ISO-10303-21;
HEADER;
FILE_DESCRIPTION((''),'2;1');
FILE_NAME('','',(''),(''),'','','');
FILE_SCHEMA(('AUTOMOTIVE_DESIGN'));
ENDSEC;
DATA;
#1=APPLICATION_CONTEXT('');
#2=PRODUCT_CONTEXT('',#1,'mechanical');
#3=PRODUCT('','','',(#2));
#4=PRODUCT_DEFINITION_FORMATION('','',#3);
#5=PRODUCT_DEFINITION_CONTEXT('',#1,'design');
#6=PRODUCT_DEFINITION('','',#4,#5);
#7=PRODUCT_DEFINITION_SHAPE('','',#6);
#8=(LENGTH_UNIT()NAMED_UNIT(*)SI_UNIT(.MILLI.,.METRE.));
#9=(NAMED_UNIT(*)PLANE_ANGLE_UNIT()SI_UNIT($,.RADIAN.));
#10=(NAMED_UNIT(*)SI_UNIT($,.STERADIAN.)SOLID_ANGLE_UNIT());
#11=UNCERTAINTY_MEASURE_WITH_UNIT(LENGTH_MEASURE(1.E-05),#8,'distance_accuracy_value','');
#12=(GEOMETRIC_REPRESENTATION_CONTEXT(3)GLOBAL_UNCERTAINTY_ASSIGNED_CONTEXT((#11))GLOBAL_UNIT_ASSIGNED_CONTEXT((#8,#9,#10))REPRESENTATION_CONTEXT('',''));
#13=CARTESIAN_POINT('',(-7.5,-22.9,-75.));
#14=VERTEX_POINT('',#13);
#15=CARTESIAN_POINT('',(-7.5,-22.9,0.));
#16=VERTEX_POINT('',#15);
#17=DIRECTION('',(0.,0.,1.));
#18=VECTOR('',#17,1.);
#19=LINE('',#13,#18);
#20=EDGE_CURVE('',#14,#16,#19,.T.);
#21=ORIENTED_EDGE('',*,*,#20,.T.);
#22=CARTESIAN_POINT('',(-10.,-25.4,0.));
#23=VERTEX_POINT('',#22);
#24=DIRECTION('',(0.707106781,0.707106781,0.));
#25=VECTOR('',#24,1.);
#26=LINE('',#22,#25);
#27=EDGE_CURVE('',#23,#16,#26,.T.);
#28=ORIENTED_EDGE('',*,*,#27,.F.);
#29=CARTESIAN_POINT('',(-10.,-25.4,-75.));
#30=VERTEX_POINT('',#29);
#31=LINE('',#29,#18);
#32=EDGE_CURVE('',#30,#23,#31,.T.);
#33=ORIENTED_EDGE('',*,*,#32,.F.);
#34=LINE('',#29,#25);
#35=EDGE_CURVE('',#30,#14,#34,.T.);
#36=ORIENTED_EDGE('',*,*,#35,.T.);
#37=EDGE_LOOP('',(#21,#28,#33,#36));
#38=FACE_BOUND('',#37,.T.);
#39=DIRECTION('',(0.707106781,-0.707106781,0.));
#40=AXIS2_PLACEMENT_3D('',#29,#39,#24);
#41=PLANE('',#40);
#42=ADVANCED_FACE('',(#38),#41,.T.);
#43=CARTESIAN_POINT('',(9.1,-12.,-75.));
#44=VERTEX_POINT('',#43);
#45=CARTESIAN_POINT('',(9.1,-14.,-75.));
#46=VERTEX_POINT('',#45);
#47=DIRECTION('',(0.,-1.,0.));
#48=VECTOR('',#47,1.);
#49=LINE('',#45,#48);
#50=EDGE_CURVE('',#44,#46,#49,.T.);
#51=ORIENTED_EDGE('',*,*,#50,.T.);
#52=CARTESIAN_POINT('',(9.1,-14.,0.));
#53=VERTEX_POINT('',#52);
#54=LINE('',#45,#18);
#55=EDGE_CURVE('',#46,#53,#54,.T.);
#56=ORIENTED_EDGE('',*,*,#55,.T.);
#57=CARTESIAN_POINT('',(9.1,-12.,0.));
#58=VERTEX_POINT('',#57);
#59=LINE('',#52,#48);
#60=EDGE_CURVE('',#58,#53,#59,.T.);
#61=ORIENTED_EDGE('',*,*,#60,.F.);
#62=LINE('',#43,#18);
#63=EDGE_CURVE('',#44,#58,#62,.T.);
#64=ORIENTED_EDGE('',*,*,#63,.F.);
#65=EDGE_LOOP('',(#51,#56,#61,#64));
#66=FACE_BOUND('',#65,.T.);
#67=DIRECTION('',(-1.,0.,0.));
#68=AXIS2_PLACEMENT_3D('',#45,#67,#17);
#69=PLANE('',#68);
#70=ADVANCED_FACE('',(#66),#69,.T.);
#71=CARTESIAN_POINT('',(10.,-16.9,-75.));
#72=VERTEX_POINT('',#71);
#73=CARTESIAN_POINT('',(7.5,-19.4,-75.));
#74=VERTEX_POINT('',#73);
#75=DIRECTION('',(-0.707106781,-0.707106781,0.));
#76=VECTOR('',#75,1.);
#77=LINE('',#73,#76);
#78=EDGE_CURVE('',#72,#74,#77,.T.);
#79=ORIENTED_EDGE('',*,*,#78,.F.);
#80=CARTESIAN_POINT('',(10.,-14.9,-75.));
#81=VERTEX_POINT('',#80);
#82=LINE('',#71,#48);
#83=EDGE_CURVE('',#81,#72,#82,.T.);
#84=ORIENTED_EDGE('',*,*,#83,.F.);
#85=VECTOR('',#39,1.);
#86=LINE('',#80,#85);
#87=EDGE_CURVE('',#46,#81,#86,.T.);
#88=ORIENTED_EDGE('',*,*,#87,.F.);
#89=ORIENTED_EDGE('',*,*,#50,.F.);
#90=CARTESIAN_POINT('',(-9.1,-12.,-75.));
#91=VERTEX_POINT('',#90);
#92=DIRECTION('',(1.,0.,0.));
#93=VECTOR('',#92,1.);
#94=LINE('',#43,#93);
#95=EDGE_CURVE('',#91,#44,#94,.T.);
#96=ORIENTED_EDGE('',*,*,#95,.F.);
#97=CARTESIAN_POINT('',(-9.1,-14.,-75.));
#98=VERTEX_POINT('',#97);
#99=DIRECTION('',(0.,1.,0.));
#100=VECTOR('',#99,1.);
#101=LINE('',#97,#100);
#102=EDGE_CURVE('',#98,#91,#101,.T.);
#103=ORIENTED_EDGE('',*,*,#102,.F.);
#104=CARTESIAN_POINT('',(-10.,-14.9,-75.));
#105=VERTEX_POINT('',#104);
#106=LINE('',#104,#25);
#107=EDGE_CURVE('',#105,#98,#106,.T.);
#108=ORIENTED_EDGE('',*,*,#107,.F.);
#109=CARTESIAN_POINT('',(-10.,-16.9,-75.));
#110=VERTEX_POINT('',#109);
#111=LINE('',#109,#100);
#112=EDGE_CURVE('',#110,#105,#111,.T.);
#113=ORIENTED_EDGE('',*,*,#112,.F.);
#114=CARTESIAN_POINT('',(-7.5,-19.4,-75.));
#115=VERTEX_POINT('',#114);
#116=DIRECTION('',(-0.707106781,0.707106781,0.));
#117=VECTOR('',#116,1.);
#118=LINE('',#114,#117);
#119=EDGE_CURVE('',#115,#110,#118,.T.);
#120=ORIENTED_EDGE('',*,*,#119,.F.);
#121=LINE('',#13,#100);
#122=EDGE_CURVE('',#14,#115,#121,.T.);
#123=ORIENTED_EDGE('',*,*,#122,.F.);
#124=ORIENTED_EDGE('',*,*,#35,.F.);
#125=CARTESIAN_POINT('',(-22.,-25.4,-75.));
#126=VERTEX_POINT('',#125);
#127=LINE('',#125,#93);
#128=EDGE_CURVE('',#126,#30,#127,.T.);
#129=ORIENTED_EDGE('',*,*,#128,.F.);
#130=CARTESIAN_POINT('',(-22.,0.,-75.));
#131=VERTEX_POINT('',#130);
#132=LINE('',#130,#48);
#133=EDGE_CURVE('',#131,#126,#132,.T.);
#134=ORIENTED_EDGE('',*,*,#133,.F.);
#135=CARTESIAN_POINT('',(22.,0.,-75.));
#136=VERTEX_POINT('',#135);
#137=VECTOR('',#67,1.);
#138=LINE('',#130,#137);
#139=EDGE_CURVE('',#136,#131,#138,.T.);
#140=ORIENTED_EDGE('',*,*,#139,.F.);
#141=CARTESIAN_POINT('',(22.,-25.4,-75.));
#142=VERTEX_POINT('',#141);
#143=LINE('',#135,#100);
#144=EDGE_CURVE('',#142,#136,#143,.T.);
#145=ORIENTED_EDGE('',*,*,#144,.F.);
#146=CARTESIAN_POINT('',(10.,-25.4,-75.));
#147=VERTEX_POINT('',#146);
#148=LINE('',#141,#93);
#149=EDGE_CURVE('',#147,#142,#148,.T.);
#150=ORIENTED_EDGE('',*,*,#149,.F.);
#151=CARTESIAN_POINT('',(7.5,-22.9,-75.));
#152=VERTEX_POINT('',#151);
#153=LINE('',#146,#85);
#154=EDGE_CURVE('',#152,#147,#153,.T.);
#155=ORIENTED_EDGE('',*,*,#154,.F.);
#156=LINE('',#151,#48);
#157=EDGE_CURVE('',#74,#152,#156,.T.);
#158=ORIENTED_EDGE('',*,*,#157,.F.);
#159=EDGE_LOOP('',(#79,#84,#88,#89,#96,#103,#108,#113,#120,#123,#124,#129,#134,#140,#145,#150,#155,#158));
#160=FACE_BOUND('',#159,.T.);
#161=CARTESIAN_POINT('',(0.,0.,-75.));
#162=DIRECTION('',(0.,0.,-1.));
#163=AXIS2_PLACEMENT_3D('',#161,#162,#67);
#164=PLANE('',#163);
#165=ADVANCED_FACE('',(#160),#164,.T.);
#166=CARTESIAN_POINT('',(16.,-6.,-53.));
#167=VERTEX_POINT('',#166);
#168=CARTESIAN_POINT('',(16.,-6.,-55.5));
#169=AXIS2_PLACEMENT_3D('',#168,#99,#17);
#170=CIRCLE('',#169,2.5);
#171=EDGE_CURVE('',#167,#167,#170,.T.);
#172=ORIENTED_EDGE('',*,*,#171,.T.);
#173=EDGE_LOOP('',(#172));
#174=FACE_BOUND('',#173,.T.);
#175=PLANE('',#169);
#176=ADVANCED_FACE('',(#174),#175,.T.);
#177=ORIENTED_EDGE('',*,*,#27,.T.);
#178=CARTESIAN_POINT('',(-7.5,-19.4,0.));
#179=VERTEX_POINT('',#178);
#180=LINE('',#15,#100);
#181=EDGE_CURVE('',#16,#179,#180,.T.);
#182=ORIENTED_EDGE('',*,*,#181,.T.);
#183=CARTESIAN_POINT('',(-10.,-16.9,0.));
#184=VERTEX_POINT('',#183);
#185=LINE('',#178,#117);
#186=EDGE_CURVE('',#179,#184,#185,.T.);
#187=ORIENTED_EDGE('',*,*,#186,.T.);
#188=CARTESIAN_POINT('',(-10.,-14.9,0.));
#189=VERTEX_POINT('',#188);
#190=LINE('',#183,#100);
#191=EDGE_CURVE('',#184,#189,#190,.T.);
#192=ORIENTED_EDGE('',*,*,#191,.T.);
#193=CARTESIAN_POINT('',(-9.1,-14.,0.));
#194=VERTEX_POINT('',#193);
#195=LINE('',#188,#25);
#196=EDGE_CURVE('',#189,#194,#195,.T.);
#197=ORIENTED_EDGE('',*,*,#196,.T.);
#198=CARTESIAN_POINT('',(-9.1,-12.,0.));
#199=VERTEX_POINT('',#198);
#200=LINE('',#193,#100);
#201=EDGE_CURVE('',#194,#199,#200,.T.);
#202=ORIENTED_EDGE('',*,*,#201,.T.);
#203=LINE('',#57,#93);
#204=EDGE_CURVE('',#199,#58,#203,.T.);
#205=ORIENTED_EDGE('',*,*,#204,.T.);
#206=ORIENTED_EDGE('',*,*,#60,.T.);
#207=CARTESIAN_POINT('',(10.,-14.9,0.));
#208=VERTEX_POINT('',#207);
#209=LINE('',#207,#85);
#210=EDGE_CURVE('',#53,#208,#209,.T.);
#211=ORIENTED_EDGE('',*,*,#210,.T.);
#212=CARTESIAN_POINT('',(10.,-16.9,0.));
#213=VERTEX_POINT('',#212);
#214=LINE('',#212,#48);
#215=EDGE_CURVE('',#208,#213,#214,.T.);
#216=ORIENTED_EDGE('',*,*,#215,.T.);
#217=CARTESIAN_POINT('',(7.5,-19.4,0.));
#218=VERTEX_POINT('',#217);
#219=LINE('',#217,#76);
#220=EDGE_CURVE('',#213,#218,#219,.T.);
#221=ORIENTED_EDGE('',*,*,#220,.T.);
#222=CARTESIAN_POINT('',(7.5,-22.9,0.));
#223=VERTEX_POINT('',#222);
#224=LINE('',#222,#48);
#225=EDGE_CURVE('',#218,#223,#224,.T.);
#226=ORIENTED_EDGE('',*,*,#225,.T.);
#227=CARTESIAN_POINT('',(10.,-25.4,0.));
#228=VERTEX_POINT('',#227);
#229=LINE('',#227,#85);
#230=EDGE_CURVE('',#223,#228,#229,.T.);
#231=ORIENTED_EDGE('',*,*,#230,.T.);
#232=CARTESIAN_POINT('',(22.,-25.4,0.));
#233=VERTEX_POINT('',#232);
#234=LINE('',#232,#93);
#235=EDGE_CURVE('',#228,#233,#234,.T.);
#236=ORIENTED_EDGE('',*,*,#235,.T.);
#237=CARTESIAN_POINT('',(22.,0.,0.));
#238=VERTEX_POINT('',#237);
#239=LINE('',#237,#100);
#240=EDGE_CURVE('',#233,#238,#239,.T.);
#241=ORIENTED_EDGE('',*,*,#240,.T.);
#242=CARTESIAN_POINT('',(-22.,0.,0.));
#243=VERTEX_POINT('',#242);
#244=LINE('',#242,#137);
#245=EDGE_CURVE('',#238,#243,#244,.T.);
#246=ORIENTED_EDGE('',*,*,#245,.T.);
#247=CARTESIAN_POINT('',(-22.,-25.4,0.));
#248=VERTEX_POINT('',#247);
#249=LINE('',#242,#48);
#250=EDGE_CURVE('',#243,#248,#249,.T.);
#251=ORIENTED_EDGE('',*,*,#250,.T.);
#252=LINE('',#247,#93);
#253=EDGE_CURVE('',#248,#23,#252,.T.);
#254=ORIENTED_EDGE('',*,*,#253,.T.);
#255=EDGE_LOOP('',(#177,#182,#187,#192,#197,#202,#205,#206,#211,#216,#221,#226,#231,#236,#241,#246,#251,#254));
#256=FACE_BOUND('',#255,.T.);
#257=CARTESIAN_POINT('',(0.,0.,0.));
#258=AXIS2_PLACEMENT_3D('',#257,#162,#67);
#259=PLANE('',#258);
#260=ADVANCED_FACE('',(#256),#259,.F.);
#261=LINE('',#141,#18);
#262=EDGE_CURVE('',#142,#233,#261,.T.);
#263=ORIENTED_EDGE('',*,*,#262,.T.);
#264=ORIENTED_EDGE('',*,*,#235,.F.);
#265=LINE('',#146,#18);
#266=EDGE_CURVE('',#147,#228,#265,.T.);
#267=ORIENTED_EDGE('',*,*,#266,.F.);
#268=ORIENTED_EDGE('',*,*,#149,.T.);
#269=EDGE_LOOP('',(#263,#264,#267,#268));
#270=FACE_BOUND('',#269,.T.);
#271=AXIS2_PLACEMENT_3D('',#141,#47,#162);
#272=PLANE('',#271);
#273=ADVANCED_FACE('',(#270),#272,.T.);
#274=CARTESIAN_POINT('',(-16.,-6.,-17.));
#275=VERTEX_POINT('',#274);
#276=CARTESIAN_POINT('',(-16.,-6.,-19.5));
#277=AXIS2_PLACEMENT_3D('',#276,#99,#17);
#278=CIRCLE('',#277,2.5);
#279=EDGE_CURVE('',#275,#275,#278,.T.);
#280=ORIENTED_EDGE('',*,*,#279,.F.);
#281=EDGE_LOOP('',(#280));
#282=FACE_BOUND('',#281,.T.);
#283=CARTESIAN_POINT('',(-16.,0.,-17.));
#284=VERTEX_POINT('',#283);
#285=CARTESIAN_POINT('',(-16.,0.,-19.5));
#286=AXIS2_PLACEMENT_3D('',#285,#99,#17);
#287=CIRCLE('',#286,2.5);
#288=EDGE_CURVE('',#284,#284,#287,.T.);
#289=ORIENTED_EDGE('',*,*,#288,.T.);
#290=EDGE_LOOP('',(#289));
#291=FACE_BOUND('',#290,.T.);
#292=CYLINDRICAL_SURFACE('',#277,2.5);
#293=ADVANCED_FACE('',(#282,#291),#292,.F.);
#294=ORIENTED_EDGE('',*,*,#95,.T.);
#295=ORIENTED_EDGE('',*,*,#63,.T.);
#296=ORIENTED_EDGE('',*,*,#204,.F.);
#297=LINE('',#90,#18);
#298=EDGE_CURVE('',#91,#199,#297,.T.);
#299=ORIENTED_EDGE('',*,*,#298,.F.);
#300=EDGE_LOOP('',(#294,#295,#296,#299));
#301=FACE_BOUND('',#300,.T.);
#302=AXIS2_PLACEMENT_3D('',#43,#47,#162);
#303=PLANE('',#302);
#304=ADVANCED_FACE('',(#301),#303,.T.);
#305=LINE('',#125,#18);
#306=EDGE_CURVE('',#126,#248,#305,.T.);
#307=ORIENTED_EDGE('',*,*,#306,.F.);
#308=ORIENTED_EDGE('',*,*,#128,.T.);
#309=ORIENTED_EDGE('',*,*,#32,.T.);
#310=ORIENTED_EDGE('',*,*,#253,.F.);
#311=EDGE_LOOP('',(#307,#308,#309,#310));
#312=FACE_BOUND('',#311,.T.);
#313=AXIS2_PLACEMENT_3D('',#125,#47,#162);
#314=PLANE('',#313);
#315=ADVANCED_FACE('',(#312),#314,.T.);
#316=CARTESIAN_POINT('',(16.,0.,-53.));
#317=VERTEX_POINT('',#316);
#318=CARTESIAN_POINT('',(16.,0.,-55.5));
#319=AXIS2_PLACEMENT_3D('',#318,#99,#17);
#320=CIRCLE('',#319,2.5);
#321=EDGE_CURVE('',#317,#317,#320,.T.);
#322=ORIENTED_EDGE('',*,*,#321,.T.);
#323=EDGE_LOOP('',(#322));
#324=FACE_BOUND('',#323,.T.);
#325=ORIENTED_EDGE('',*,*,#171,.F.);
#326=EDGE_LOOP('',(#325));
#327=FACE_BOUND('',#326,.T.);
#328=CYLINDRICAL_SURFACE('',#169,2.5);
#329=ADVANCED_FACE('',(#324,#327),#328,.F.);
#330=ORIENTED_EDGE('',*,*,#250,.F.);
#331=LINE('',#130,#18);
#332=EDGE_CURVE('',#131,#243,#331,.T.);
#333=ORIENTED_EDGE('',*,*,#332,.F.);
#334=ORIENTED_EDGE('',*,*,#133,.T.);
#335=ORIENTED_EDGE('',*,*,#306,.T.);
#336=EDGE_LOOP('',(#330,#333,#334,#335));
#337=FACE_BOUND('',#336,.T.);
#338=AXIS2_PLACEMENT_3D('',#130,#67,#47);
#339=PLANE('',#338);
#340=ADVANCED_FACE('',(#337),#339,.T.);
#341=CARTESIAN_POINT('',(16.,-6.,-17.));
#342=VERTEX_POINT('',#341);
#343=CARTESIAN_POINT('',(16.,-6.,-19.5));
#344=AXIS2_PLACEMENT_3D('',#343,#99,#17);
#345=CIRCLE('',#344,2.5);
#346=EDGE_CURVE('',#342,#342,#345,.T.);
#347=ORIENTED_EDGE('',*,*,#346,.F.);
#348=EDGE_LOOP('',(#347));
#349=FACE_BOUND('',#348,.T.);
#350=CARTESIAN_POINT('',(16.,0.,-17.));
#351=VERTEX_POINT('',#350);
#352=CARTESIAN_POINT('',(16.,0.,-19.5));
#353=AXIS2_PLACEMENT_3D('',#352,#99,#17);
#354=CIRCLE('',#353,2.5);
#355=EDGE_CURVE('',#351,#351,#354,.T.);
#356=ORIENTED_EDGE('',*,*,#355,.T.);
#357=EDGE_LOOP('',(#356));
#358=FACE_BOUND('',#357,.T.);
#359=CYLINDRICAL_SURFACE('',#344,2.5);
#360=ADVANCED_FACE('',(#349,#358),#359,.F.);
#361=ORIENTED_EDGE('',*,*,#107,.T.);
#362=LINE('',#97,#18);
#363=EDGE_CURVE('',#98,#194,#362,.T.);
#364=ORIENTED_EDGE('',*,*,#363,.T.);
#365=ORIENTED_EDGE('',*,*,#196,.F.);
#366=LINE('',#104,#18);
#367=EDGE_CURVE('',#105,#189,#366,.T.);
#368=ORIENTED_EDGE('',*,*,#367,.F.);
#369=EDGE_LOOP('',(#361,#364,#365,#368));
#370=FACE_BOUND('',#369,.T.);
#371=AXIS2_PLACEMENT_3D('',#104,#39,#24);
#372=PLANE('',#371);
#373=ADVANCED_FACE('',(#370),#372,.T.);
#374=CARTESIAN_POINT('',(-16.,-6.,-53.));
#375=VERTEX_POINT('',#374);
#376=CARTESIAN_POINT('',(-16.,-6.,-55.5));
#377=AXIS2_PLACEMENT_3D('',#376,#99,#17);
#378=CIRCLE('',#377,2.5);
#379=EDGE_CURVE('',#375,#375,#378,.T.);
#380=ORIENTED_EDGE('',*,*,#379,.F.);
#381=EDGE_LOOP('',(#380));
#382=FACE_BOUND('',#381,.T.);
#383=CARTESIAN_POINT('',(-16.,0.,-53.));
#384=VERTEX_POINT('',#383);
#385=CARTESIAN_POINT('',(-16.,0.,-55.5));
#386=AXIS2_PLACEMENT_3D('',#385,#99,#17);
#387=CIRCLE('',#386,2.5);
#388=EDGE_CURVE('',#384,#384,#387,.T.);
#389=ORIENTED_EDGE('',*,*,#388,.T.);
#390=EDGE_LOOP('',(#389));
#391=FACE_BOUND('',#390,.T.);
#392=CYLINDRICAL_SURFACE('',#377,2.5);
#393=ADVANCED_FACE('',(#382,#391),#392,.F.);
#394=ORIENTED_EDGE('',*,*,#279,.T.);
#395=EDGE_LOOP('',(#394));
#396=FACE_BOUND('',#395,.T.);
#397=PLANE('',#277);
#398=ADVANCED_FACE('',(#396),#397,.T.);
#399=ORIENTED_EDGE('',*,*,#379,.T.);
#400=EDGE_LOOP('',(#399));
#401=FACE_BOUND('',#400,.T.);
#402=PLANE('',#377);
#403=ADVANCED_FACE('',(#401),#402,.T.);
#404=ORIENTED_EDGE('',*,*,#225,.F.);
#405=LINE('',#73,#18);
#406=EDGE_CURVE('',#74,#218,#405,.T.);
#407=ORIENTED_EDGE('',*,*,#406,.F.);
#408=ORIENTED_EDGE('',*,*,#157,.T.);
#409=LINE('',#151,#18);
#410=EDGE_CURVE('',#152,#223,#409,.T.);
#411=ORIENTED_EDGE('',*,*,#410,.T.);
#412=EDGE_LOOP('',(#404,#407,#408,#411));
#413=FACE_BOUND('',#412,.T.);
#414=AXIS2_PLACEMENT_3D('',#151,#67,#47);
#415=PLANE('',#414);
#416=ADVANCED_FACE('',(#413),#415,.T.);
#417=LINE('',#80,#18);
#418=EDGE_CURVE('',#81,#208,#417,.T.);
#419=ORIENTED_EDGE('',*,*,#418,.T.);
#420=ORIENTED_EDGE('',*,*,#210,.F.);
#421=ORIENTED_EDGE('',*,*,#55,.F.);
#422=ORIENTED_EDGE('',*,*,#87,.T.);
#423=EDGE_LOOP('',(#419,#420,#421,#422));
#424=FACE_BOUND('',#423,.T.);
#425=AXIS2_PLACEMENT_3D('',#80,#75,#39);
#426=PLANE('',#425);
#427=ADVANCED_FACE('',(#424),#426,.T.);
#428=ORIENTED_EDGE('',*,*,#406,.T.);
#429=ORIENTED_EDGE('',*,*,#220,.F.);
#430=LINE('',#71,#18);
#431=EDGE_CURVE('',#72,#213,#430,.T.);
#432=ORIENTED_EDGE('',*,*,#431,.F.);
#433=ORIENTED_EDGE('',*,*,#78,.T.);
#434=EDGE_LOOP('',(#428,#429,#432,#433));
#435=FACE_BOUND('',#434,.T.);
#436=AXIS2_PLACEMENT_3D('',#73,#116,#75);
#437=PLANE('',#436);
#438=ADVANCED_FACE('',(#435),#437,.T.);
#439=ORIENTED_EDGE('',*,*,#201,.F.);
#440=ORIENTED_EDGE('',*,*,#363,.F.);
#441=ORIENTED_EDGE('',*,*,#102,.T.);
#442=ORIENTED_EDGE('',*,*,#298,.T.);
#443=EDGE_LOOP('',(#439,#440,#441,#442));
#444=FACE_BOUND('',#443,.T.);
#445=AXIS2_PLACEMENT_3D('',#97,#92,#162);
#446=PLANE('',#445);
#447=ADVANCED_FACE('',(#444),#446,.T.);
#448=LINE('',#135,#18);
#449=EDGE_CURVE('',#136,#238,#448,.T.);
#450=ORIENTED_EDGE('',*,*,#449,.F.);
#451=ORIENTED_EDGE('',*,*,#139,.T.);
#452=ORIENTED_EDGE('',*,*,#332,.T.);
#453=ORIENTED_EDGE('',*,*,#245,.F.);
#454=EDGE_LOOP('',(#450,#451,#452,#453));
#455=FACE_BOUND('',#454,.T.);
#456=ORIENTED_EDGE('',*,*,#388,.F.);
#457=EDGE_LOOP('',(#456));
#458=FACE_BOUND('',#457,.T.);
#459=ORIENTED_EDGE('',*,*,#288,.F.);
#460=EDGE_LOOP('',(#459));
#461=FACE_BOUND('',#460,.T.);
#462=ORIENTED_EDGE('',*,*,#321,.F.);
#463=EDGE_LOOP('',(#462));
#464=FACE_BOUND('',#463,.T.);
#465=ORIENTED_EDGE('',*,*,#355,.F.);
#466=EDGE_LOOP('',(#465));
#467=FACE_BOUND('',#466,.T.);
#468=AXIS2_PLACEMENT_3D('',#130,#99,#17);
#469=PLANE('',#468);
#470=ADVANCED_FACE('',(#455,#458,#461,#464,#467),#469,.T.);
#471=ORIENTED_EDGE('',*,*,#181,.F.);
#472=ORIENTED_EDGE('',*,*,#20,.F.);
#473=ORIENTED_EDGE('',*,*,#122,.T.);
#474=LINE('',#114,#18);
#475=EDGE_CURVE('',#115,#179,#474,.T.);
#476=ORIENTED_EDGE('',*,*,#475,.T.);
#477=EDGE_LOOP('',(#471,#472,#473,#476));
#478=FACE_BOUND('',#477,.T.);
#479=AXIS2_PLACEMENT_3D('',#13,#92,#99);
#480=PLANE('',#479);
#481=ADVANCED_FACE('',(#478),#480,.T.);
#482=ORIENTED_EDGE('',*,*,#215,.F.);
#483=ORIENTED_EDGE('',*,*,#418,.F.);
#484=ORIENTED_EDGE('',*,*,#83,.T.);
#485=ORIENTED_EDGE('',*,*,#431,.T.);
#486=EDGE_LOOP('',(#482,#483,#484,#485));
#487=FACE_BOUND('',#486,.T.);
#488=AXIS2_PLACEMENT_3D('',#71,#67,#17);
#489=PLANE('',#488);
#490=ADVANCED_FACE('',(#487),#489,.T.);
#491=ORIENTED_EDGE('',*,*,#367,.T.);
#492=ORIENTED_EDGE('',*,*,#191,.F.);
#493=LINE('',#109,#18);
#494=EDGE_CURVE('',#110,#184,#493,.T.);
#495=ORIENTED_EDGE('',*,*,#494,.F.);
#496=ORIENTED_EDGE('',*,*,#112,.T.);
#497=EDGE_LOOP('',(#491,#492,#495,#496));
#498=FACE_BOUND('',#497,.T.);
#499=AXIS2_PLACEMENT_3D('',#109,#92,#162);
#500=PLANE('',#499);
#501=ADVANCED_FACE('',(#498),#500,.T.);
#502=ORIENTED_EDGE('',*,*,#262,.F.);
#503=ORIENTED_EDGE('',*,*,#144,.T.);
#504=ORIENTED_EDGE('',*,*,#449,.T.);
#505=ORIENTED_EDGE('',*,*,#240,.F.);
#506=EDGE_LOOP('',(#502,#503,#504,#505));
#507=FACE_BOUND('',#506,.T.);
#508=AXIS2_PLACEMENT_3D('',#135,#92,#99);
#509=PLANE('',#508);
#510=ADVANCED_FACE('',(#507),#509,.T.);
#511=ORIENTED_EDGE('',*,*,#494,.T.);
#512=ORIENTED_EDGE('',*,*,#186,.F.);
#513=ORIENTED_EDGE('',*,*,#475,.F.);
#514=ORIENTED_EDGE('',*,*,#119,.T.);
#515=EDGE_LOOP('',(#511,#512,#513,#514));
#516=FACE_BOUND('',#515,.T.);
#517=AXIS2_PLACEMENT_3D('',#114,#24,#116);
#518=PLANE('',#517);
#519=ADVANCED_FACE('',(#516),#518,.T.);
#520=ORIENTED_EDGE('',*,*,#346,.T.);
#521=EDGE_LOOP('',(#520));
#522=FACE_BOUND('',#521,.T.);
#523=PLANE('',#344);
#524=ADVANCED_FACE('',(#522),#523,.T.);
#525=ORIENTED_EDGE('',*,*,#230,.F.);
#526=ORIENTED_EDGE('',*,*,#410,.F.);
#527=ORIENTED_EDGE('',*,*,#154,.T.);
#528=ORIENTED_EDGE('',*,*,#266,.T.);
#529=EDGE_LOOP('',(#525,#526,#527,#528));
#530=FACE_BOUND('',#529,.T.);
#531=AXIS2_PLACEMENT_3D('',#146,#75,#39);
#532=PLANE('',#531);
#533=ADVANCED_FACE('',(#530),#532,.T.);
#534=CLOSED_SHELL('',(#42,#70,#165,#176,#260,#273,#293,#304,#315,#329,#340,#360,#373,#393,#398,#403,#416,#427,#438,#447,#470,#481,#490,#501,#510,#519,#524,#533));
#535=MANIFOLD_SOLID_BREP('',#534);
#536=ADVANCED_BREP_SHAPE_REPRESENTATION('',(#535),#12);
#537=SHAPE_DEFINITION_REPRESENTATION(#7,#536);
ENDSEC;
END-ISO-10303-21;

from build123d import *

# Parameters (mm, degrees)
BOSS_EXTRUDE1_DEPTH = 75
SKETCH2_R           = 2.5
CUT_EXTRUDE1_DEPTH  = 6


with BuildPart() as part:
    # Sketch1 → Boss-Extrude1 (new body)
    with BuildSketch(Plane.XY):
        Polygon((-22, 0), (22, 0), (22, -25.4), (10, -25.4), (7.5, -22.9), (7.5, -19.4), (10, -16.9), (10, -14.9), (9.1, -14), (9.1, -12), (-9.1, -12), (-9.1, -14), (-10, -14.9), (-10, -16.9), (-7.5, -19.4), (-7.5, -22.9), (-10, -25.4), (-22, -25.4), align=None)
    extrude(amount=-BOSS_EXTRUDE1_DEPTH)

    # Sketch2 → Cut-Extrude1 (cut)
    with BuildSketch(Plane(origin=(0, 0, 0), x_dir=(1, 0, 0), z_dir=(0, 1, 0))):
        with Locations(Location((-16, 55.5, 0), (0, 0, 270))):
            Circle(SKETCH2_R)
        with Locations(Location((-16, 19.5, 0), (0, 0, 270))):
            Circle(SKETCH2_R)
        with Locations(Location((16, 55.5, 0), (0, 0, 270))):
            Circle(SKETCH2_R)
        with Locations(Location((16, 19.5, 0), (0, 0, 270))):
            Circle(SKETCH2_R)
    extrude(amount=-CUT_EXTRUDE1_DEPTH, mode=Mode.SUBTRACT)


solid = part.part
